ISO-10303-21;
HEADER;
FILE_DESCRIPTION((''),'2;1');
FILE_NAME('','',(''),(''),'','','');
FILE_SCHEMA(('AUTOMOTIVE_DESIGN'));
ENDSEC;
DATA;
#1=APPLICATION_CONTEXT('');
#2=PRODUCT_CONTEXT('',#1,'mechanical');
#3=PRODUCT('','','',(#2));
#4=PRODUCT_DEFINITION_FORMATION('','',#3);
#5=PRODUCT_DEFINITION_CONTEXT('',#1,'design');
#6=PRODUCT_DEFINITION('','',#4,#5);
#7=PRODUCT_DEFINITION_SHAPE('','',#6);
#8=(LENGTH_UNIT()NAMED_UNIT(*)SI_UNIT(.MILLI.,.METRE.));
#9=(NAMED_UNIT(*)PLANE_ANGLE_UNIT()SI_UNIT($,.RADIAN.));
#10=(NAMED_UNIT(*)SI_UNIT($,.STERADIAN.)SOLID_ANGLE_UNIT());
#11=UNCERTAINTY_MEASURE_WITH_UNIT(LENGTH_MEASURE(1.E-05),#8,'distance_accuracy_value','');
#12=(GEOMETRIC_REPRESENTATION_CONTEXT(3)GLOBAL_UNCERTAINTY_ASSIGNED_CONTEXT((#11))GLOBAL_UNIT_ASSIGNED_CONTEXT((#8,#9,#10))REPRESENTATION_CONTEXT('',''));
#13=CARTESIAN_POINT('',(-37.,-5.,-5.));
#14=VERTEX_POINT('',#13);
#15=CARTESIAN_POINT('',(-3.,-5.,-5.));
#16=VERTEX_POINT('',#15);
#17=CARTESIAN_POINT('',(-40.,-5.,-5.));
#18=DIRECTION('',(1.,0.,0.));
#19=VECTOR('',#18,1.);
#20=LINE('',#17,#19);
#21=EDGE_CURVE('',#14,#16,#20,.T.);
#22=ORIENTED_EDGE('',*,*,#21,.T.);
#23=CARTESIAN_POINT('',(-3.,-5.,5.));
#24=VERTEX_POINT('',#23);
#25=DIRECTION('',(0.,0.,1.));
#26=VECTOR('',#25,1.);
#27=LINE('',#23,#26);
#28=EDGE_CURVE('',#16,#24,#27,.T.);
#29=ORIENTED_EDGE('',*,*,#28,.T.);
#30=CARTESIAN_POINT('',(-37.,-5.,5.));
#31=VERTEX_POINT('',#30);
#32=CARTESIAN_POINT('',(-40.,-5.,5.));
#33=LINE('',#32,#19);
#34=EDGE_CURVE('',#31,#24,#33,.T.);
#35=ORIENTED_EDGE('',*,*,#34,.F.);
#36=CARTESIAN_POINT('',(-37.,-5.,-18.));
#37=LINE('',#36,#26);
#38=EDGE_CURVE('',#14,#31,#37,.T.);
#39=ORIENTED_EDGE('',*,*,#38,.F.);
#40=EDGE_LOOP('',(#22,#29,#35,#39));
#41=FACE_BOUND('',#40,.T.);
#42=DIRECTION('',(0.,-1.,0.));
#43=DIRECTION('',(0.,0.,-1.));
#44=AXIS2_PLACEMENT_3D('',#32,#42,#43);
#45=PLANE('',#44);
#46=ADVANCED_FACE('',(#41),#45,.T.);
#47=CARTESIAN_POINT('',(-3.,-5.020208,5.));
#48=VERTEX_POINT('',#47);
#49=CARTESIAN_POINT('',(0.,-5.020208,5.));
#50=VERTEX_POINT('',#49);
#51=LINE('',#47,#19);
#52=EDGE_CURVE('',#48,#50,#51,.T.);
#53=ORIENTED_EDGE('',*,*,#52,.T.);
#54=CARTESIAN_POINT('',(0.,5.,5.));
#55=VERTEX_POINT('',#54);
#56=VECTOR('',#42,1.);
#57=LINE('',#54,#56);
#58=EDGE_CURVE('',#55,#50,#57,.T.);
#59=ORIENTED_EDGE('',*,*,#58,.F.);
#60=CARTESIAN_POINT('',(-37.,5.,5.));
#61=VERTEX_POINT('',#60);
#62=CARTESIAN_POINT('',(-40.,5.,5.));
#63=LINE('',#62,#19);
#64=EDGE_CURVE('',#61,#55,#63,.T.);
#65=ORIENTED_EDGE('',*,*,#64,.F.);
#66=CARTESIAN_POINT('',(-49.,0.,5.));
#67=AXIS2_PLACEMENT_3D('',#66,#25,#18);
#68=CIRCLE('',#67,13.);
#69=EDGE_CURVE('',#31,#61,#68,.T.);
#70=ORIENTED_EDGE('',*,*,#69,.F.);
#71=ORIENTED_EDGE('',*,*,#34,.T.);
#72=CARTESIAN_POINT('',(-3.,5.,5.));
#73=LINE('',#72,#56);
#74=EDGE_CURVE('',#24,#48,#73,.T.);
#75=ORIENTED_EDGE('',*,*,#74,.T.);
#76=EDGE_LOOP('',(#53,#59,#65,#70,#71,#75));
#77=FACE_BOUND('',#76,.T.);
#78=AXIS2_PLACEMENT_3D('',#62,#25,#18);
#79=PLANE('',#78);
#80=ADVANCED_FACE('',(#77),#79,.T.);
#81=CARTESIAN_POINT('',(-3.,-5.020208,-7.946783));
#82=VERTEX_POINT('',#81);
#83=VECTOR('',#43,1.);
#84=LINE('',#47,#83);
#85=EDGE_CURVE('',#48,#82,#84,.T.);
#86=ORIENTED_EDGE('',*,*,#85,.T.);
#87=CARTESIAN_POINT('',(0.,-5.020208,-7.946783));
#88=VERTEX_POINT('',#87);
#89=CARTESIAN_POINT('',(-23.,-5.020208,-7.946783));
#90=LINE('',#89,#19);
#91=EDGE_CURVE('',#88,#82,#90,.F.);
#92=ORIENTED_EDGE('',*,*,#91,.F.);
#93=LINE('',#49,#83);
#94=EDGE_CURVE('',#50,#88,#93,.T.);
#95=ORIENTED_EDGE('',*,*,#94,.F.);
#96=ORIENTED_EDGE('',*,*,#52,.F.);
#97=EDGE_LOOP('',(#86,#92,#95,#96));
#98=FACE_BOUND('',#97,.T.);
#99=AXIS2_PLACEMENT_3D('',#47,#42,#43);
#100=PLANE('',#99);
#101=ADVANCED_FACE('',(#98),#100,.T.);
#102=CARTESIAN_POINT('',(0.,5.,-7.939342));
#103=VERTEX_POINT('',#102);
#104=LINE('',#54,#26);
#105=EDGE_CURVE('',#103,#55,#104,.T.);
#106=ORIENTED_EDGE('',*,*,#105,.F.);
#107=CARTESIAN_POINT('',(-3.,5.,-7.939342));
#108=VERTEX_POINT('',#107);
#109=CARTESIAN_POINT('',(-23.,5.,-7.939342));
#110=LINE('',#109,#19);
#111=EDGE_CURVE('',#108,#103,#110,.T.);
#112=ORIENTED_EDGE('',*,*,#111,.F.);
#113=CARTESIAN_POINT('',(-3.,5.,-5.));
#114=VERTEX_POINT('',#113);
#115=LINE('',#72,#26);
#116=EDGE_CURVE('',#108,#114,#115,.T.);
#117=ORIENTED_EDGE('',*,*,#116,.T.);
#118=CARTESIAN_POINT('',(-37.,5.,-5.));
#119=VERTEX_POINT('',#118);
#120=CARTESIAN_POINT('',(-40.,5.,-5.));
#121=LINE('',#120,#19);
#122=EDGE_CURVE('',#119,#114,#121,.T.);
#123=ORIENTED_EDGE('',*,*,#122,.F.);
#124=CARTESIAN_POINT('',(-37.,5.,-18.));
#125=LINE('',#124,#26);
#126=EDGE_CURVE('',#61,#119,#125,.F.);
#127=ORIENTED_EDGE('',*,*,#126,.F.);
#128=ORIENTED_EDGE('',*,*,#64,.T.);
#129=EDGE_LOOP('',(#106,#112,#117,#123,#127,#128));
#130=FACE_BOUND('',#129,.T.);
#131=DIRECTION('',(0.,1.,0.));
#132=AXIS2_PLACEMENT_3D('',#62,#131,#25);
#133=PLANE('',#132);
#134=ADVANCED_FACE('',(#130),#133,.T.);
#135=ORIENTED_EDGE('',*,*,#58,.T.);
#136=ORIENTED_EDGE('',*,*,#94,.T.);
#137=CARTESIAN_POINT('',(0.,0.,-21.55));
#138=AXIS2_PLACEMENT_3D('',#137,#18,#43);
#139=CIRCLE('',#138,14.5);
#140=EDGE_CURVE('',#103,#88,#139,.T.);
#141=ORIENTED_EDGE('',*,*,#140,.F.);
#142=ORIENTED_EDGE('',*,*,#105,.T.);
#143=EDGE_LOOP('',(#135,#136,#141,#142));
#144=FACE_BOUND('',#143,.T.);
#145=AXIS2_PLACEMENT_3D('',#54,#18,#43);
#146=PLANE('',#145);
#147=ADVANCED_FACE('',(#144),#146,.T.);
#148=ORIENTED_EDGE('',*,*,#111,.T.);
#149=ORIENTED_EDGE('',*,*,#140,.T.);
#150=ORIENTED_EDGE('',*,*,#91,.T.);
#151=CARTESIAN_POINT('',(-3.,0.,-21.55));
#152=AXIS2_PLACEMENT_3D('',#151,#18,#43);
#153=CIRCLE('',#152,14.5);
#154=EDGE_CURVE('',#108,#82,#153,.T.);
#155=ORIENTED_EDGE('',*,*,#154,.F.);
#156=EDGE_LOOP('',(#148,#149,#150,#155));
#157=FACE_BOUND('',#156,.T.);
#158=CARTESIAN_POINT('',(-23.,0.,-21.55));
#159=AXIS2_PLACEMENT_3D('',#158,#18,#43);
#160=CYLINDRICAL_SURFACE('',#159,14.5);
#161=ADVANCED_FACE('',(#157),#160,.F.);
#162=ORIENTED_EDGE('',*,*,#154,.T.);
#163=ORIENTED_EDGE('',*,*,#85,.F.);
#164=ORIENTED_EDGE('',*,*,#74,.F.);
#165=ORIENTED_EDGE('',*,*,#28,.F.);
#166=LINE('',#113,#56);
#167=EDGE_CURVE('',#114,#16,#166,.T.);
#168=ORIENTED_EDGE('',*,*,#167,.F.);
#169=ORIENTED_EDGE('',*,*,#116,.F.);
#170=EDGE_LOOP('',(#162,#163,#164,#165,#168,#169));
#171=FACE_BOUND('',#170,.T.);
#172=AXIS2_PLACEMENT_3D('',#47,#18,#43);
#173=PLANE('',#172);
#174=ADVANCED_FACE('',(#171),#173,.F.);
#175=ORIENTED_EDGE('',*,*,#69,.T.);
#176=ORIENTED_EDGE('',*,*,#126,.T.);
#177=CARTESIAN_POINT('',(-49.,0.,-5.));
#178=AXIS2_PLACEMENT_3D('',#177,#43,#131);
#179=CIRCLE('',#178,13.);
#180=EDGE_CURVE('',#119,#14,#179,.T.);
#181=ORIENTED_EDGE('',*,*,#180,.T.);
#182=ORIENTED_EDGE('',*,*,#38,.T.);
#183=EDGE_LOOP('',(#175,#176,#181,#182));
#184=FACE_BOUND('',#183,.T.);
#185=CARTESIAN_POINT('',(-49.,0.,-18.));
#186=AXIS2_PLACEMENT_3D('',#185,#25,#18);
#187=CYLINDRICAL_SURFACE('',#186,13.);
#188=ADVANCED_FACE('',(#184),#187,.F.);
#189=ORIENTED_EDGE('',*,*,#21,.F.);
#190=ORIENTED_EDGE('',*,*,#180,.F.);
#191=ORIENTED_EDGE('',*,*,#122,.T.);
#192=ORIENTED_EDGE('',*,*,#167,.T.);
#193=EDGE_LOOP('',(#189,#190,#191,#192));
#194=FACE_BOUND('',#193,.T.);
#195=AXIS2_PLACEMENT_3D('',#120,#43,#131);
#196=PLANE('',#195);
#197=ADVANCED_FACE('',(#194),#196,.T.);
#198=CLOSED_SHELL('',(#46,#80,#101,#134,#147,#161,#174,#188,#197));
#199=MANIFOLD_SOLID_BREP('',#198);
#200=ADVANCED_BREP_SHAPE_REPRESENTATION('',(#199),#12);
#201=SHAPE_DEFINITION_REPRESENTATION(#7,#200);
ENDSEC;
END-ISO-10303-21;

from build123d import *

# Parameters (mm, degrees)
ESBO_O1_W             = 10
ESBO_O1_H             = 10
EXTRUS_O1_DEPTH       = 40
ESBO_O2_W             = 14.229592149
ESBO_O2_H             = 10.020208066
EXTRUS_O2_DEPTH       = 3
ESBO_O3_R             = 14.5
CORTE_EXTRUS_O1_DEPTH = 23
ESBO_O4_R             = 13
CORTE_EXTRUS_O2_DEPTH = 23


with BuildPart() as part:
    # Esboço1 → Extrusão1 (new body)
    with BuildSketch(Plane(origin=(0, 0, 0), x_dir=(0, 0, -1), z_dir=(1, 0, 0))):
        Rectangle(ESBO_O1_W, ESBO_O1_H)
    extrude(amount=-EXTRUS_O1_DEPTH)

    # Esboço2 → Extrusão2 (add)
    with BuildSketch(Plane(origin=(0, 0, 0), x_dir=(0, 0, -1), z_dir=(1, 0, 0))):
        with Locations((2.114796075, -0.010104033)):
            Rectangle(ESBO_O2_W, ESBO_O2_H)
    extrude(amount=-EXTRUS_O2_DEPTH)

    # Esboço3 → Corte-extrusão1 (cut)
    with BuildSketch(Plane(origin=(0, 0, 0), x_dir=(0, 0, -1), z_dir=(1, 0, 0))):
        with Locations((21.55, 0)):
            Circle(ESBO_O3_R)
    extrude(amount=-CORTE_EXTRUS_O1_DEPTH, mode=Mode.SUBTRACT)

    # Esboço4 → Corte-extrusão2 (cut)
    with BuildSketch(Plane.XY.offset(5)):
        with Locations((-49, 0)):
            Circle(ESBO_O4_R)
    extrude(amount=-CORTE_EXTRUS_O2_DEPTH, mode=Mode.SUBTRACT)


solid = part.part
